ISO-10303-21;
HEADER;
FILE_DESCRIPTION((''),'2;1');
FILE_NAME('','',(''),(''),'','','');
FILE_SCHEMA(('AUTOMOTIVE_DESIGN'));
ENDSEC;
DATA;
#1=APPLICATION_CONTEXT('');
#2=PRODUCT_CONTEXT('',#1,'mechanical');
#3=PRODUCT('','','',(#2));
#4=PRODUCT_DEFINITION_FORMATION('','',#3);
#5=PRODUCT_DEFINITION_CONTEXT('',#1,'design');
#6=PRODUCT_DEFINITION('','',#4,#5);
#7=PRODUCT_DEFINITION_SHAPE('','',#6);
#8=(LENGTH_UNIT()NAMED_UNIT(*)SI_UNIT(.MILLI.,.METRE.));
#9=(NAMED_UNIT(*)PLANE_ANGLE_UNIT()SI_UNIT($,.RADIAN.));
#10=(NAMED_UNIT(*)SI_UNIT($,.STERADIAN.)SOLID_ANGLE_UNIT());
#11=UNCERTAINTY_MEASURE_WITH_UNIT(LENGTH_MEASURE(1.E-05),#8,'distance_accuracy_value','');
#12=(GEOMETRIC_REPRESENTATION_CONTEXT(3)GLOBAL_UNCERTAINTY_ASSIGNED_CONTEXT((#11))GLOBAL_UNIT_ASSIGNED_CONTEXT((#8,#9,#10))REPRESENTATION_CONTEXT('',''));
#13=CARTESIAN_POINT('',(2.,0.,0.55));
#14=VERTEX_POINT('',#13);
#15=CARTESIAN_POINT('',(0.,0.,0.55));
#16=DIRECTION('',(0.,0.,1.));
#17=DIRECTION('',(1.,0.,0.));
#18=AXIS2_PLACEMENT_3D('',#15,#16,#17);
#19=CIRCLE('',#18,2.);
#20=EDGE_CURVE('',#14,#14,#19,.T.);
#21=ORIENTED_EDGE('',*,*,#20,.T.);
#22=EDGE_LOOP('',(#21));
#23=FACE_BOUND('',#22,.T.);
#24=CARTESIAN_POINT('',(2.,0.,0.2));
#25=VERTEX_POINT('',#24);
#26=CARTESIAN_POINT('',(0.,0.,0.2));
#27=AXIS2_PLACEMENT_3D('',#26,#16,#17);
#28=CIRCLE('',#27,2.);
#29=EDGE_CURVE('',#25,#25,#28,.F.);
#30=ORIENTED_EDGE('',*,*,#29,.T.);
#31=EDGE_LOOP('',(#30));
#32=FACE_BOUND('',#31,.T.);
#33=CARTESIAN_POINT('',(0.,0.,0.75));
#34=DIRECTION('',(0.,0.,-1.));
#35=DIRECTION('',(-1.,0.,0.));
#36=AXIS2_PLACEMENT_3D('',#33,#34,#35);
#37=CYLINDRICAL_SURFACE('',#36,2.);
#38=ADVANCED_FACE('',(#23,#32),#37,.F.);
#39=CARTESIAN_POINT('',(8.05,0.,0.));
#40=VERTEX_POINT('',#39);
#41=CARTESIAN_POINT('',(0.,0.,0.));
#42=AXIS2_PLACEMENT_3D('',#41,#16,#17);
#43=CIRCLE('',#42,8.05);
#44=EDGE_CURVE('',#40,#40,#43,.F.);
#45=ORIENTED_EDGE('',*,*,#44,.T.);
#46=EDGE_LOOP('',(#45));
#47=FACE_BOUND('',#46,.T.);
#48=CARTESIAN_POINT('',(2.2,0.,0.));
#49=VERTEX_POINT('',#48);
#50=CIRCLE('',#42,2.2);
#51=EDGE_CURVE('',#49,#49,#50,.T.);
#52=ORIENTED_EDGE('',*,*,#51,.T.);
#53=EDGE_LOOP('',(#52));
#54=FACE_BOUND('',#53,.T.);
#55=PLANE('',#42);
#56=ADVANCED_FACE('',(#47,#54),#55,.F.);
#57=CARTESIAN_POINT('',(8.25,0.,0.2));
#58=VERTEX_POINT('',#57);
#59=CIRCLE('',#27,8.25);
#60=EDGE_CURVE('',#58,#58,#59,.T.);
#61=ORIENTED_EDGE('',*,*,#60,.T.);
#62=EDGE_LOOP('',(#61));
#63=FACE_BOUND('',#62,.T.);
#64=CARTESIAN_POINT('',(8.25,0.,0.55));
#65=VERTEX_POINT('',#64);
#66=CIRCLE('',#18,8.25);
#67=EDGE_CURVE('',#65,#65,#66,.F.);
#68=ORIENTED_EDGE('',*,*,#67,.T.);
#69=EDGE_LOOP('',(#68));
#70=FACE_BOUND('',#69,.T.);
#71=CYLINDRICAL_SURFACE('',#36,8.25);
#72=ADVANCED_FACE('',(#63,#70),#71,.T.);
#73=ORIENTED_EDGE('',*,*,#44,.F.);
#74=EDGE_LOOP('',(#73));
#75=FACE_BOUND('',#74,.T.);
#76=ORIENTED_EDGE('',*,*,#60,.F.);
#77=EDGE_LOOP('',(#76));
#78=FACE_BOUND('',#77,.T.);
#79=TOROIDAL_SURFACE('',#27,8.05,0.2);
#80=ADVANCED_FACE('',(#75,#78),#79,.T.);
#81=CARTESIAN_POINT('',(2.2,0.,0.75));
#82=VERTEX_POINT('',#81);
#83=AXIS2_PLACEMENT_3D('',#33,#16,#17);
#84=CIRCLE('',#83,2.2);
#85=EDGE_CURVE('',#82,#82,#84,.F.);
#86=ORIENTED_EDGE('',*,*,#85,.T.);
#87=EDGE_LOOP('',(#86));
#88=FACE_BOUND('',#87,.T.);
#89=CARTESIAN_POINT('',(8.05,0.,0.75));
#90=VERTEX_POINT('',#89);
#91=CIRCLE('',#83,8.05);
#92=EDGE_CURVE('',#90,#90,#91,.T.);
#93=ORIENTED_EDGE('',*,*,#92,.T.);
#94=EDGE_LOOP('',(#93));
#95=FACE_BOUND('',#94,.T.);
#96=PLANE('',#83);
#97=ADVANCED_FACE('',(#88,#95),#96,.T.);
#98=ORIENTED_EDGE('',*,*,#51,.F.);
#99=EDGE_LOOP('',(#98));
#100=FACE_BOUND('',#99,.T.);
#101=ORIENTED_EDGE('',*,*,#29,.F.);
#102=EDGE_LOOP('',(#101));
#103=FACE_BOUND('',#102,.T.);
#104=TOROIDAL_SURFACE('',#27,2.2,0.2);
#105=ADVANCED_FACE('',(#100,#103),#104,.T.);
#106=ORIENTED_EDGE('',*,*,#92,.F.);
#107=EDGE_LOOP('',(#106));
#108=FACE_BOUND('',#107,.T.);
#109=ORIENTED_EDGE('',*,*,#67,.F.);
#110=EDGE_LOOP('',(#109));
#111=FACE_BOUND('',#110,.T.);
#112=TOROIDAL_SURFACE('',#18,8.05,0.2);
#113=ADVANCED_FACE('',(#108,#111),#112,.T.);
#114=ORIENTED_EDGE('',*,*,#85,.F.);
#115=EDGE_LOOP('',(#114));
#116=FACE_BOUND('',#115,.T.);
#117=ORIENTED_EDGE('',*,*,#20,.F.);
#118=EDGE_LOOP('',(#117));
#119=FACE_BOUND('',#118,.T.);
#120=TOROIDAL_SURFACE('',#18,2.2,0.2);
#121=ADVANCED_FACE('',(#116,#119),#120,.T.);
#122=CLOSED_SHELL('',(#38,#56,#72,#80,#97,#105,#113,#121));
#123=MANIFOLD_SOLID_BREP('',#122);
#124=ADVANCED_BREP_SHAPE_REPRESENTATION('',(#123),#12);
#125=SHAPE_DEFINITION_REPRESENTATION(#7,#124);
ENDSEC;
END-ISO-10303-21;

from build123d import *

# Parameters (mm, degrees)
ESQUISSE1_R      = 8.25
ESQUISSE1_R_2    = 2
EXTRUSION1_DEPTH = 0.75
CONG_1_R         = 0.2


with BuildPart() as part:
    # Esquisse1 → Extrusion1 (new body)
    with BuildSketch(Plane.XY):
        Circle(ESQUISSE1_R)
        Circle(ESQUISSE1_R_2, mode=Mode.SUBTRACT)
    extrude(amount=EXTRUSION1_DEPTH)

    # Congé1
    cong_1_edges = [part.edges().sort_by_distance(p)[0] for p in [
        (-8.25, 0, 0),
        (-8.25, 0, 0.75),
        (-2, 0, 0),
        (-2, 0, 0.75),
    ]]
    fillet(cong_1_edges, radius=CONG_1_R)


solid = part.part
